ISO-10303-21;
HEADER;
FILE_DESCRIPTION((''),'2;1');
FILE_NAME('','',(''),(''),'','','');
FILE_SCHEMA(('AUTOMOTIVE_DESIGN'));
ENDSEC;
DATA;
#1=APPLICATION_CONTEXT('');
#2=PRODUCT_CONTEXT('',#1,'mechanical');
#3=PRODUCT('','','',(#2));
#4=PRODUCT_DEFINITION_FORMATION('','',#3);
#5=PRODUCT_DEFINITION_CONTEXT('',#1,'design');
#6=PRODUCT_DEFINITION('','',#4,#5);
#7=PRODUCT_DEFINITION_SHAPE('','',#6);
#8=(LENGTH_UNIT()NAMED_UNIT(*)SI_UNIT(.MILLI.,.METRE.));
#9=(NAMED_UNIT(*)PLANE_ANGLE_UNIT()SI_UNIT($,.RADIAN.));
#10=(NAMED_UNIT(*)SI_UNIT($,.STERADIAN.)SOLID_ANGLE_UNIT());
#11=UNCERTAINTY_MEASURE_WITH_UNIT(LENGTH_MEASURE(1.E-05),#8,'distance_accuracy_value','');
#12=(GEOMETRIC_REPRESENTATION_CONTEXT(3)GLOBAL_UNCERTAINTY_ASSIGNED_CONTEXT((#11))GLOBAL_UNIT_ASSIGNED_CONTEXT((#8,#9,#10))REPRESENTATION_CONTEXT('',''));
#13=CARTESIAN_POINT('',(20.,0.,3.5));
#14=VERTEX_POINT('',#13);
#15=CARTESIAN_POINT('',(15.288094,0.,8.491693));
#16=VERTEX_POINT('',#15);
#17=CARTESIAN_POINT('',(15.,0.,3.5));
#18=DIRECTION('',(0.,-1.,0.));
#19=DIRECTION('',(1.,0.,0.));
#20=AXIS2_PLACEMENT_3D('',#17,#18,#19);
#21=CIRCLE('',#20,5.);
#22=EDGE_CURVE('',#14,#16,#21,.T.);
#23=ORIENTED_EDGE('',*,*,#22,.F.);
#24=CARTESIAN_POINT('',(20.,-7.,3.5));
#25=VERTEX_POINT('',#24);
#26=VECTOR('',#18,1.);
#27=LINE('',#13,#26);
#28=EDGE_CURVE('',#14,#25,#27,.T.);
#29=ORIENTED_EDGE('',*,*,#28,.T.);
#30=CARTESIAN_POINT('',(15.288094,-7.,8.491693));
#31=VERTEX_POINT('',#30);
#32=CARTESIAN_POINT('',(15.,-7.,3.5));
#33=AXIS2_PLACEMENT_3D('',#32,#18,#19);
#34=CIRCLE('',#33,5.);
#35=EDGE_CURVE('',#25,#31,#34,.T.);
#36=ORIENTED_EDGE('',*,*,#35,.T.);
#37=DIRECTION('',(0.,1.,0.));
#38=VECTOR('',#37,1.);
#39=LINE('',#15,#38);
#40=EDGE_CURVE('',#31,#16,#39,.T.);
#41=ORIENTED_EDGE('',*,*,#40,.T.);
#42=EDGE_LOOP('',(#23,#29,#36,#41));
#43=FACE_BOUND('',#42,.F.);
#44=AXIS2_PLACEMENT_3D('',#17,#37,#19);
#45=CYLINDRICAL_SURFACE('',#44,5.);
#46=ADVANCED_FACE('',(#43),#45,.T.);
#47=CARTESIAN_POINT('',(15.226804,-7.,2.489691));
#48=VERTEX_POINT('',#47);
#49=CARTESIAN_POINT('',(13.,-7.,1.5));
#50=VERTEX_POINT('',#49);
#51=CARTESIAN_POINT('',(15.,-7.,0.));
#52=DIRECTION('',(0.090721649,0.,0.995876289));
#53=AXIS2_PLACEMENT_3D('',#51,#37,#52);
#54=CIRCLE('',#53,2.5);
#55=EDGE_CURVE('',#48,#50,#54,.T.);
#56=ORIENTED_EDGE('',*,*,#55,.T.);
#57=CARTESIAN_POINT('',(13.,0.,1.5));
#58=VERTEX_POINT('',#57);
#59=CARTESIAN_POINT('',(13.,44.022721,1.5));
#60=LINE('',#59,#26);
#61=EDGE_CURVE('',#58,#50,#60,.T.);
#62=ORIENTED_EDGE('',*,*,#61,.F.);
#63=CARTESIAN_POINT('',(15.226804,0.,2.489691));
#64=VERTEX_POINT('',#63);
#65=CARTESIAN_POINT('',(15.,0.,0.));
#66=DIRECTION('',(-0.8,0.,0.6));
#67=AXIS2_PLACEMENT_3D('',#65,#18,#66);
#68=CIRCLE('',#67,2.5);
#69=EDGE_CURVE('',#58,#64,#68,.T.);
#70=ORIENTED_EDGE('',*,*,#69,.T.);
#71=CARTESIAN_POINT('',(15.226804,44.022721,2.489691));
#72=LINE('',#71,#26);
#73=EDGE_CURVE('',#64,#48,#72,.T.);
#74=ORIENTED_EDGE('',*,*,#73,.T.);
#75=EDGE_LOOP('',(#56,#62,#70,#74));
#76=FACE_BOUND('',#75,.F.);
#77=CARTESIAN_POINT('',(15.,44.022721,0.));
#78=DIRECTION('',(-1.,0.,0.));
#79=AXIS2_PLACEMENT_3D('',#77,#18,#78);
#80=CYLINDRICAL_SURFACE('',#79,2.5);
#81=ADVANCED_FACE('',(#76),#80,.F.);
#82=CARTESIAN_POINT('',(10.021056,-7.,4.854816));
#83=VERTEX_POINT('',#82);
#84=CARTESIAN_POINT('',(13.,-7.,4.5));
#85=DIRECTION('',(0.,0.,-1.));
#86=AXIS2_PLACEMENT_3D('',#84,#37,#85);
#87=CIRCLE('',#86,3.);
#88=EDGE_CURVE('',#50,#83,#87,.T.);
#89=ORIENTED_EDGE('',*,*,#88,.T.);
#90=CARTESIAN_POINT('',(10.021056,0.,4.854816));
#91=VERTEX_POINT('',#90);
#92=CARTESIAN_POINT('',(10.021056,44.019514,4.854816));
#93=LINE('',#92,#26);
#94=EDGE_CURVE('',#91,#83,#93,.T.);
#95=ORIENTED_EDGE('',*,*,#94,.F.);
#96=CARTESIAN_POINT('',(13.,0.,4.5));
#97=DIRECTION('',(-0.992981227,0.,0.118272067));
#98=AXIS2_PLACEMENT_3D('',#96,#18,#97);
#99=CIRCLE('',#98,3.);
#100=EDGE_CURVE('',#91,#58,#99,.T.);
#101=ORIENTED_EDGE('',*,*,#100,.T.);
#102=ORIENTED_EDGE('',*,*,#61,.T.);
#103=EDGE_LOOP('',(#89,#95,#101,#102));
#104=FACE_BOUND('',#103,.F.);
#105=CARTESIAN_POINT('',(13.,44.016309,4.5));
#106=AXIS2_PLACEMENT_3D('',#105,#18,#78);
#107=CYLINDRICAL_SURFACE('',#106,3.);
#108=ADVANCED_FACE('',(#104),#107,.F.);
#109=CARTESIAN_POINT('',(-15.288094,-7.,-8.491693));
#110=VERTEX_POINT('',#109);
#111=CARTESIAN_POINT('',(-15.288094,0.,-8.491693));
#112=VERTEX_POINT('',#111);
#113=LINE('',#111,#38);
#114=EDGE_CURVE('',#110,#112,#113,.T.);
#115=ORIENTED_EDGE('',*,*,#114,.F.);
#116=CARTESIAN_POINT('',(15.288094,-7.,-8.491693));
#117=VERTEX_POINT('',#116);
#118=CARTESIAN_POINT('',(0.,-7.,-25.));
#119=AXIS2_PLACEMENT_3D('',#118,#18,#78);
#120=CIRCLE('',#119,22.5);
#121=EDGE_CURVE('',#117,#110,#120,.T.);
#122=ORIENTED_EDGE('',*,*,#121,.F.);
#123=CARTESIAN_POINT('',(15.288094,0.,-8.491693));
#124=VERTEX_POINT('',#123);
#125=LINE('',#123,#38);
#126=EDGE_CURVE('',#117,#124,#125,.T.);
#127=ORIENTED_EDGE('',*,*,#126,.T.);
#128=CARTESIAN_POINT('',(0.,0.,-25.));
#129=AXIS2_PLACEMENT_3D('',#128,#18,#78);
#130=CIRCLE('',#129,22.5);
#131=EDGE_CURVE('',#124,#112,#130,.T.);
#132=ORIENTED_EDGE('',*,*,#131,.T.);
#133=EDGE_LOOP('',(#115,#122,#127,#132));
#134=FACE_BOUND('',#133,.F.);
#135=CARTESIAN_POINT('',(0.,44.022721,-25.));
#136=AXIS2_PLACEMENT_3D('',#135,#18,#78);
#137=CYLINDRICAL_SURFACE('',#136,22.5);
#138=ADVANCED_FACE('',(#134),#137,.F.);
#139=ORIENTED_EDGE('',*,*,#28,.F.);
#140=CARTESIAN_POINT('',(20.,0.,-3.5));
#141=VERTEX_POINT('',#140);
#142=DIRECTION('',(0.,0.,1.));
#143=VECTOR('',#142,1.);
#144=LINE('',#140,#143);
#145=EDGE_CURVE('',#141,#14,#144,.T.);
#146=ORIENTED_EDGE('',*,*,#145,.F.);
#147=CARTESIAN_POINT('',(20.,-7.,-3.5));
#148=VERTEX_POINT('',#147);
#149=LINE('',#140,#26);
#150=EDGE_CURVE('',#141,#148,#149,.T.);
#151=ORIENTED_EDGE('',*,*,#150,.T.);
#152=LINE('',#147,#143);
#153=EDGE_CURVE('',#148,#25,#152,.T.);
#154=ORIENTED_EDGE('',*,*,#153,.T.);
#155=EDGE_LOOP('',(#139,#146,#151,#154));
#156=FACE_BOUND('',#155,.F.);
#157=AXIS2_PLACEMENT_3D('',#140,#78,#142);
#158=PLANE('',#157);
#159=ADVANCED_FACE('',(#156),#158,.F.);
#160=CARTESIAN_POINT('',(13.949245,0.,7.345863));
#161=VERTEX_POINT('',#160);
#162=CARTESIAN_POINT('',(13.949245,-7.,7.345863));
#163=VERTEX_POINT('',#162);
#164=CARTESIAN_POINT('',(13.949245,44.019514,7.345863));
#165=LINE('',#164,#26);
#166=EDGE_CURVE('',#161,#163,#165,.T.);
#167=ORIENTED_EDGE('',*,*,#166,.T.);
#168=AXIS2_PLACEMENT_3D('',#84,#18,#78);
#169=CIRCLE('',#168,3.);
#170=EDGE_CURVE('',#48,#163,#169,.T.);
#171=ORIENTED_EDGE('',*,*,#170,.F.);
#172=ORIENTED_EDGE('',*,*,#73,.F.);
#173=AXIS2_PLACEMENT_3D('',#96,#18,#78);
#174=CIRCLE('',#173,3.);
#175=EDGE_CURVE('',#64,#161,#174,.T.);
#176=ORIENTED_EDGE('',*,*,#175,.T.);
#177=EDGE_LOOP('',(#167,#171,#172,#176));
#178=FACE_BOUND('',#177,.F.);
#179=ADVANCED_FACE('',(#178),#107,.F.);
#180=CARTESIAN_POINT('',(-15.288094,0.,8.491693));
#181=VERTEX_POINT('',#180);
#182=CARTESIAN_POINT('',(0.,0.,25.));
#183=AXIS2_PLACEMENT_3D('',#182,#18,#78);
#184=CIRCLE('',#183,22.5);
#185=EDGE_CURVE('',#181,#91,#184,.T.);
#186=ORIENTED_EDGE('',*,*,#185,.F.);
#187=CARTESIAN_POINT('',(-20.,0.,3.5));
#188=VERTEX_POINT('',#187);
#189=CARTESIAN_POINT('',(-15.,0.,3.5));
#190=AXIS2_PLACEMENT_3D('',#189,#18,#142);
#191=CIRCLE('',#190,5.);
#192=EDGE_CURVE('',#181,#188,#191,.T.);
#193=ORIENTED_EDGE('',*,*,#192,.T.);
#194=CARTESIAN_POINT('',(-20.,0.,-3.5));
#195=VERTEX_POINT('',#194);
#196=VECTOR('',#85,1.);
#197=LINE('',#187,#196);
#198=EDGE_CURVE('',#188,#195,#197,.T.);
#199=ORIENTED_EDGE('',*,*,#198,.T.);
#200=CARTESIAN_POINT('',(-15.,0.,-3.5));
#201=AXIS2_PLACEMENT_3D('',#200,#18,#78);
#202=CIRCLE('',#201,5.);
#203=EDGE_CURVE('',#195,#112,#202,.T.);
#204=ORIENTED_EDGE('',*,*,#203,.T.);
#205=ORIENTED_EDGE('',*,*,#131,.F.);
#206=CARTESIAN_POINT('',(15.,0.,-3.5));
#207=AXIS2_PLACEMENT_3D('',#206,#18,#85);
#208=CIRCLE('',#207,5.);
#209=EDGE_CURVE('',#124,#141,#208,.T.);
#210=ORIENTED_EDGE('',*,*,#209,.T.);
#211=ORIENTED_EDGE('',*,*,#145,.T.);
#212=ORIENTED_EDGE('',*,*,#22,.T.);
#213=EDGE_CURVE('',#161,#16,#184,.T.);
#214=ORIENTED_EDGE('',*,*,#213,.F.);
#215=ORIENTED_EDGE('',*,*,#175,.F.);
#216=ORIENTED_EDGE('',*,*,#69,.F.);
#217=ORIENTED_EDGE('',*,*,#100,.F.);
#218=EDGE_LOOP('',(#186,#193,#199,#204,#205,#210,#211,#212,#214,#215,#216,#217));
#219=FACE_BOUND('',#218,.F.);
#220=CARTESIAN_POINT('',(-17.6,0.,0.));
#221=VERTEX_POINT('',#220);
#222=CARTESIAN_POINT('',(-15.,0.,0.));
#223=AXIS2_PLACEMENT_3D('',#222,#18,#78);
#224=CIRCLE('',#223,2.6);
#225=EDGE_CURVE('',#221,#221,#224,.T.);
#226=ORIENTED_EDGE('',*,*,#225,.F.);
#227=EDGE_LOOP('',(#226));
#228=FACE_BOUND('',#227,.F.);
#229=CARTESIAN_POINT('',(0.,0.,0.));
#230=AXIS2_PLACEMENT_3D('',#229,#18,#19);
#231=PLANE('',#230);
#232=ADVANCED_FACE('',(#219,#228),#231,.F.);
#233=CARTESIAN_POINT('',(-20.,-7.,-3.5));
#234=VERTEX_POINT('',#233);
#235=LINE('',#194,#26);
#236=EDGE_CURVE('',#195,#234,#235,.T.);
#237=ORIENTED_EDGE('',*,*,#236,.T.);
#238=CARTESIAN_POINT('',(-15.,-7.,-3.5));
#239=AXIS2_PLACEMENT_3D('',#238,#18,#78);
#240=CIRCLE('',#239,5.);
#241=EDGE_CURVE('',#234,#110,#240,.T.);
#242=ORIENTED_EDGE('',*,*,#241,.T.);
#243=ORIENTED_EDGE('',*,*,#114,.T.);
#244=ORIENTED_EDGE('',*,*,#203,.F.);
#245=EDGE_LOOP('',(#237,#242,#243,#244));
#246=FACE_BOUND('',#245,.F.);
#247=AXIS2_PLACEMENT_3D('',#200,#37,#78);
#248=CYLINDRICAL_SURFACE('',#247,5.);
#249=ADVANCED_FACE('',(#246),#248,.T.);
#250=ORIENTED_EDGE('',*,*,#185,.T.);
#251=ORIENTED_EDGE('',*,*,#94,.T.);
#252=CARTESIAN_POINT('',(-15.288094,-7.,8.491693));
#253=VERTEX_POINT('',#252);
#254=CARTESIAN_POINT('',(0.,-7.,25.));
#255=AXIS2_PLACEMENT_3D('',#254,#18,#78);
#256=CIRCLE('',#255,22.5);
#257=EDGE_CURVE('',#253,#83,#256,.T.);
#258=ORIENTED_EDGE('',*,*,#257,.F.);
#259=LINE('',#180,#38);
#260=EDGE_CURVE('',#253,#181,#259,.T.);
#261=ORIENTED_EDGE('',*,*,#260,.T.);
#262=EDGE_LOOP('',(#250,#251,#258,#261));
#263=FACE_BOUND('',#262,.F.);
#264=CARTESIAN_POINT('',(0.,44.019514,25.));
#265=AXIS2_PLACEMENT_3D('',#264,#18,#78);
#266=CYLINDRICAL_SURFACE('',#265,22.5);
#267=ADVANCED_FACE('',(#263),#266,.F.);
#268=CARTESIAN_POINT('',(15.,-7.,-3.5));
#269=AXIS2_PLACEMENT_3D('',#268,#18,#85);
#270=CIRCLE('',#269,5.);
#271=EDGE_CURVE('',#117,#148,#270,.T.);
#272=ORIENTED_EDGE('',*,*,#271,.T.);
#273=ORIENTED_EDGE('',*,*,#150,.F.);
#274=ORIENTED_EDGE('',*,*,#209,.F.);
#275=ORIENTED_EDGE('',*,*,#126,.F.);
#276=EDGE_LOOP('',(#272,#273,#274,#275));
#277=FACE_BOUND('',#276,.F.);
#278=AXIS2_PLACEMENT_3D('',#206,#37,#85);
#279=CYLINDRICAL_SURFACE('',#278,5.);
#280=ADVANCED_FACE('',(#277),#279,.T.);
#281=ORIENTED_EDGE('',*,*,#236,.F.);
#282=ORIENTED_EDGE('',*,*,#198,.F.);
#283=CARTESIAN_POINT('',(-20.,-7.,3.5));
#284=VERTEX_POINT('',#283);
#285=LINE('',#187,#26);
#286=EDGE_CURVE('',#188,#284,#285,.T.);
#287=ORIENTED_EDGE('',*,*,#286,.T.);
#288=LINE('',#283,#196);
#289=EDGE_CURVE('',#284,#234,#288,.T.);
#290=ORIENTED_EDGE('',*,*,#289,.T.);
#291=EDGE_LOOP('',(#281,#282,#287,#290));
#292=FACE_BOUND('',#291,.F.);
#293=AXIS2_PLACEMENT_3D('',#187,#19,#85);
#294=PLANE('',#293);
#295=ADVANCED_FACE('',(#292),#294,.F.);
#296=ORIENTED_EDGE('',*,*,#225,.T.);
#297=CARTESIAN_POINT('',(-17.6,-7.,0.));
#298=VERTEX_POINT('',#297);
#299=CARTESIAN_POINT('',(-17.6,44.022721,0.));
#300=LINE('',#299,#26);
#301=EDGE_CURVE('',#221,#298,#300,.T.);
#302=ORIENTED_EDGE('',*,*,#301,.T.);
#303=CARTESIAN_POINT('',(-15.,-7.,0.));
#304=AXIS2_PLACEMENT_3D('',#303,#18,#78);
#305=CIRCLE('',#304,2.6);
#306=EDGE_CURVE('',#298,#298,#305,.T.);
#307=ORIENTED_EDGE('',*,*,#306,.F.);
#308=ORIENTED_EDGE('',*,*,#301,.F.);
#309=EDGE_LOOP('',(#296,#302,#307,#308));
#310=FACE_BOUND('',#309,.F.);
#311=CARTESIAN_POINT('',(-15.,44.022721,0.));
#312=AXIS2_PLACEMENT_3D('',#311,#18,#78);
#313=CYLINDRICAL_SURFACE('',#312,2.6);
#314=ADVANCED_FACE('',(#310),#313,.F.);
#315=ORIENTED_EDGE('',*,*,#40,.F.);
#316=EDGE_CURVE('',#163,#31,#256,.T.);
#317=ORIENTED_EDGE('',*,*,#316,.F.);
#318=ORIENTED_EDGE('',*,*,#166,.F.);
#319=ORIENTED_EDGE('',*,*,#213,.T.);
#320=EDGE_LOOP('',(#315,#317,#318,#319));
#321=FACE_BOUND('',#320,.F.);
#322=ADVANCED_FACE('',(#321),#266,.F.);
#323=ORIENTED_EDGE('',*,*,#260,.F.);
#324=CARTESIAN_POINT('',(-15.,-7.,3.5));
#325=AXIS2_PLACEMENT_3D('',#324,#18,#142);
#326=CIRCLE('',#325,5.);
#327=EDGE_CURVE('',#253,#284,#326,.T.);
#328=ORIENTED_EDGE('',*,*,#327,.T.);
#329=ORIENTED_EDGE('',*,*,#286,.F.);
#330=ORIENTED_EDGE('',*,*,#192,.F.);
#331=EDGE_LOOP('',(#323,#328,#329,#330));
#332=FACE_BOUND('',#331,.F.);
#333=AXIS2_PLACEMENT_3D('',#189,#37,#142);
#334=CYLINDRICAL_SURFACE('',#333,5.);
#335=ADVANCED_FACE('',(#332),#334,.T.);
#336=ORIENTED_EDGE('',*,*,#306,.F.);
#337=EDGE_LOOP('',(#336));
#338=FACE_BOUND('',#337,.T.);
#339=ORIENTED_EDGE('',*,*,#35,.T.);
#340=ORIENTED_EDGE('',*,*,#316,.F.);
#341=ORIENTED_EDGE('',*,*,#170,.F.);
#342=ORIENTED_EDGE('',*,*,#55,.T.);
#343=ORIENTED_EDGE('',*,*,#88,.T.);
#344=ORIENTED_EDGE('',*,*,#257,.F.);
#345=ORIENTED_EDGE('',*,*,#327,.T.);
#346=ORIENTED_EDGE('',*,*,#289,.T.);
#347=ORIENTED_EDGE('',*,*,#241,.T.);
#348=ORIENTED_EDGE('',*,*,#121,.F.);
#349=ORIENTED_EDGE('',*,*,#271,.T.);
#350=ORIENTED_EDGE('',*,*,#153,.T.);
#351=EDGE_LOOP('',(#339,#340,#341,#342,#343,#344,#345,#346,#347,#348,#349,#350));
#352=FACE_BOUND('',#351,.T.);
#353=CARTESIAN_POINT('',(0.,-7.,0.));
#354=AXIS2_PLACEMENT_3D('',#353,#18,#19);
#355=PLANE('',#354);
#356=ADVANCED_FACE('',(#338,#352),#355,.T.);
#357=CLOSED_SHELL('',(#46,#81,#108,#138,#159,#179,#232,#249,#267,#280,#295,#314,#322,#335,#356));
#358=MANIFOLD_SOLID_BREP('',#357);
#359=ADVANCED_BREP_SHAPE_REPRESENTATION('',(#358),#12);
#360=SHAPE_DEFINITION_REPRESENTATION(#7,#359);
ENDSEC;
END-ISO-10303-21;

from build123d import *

# Parameters (mm, degrees)
F1_DEPTH = 7
F3_D     = 5.2
F5_D     = 5
F7_D     = 45
F9_D     = 45
F11_D    = 6


with BuildPart() as f1:
    # F0 (on Front) → F1 (new body)
    with BuildSketch(Plane.XZ):
        with BuildLine():
            Line((-15, -8.5), (15, -8.5))
            ThreePointArc((15, -8.5), (18.5355339059, -7.0355339059), (20, -3.5))
            Line((20, -3.5), (20, 3.5))
            ThreePointArc((20, 3.5), (18.5355339059, 7.0355339059), (15, 8.5))
            Line((15, 8.5), (-15, 8.5))
            ThreePointArc((-15, 8.5), (-18.5355339059, 7.0355339059), (-20, 3.5))
            Line((-20, 3.5), (-20, -3.5))
            ThreePointArc((-20, -3.5), (-18.5355339059, -7.0355339059), (-15, -8.5))
        make_face()
    extrude(amount=F1_DEPTH)

    # F3 (through all)
    with Locations(Plane(origin=(0, 0, 0), x_dir=(1, 0, 0), z_dir=(0, 1, 0))):
        with Locations((-15, 0)):
            Hole(F3_D / 2)

    # F5 (through all)
    with Locations(Plane(origin=(0, 0, 0), x_dir=(1, 0, 0), z_dir=(0, 1, 0))):
        with Locations((15, 0)):
            Hole(F5_D / 2)

    # F7 (through all)
    with Locations(Plane(origin=(0, 0, 0), x_dir=(1, 0, 0), z_dir=(0, 1, 0))):
        with Locations((0, 25)):
            Hole(F7_D / 2)

    # F9 (through all)
    with Locations(Plane(origin=(0, 0, 0), x_dir=(1, 0, 0), z_dir=(0, 1, 0))):
        with Locations((0, -25)):
            Hole(F9_D / 2)

    # F11 (through all)
    with Locations(Plane(origin=(0, 0, 0), x_dir=(1, 0, 0), z_dir=(0, 1, 0))):
        with Locations((13, -4.5)):
            Hole(F11_D / 2)


solid = f1.part
